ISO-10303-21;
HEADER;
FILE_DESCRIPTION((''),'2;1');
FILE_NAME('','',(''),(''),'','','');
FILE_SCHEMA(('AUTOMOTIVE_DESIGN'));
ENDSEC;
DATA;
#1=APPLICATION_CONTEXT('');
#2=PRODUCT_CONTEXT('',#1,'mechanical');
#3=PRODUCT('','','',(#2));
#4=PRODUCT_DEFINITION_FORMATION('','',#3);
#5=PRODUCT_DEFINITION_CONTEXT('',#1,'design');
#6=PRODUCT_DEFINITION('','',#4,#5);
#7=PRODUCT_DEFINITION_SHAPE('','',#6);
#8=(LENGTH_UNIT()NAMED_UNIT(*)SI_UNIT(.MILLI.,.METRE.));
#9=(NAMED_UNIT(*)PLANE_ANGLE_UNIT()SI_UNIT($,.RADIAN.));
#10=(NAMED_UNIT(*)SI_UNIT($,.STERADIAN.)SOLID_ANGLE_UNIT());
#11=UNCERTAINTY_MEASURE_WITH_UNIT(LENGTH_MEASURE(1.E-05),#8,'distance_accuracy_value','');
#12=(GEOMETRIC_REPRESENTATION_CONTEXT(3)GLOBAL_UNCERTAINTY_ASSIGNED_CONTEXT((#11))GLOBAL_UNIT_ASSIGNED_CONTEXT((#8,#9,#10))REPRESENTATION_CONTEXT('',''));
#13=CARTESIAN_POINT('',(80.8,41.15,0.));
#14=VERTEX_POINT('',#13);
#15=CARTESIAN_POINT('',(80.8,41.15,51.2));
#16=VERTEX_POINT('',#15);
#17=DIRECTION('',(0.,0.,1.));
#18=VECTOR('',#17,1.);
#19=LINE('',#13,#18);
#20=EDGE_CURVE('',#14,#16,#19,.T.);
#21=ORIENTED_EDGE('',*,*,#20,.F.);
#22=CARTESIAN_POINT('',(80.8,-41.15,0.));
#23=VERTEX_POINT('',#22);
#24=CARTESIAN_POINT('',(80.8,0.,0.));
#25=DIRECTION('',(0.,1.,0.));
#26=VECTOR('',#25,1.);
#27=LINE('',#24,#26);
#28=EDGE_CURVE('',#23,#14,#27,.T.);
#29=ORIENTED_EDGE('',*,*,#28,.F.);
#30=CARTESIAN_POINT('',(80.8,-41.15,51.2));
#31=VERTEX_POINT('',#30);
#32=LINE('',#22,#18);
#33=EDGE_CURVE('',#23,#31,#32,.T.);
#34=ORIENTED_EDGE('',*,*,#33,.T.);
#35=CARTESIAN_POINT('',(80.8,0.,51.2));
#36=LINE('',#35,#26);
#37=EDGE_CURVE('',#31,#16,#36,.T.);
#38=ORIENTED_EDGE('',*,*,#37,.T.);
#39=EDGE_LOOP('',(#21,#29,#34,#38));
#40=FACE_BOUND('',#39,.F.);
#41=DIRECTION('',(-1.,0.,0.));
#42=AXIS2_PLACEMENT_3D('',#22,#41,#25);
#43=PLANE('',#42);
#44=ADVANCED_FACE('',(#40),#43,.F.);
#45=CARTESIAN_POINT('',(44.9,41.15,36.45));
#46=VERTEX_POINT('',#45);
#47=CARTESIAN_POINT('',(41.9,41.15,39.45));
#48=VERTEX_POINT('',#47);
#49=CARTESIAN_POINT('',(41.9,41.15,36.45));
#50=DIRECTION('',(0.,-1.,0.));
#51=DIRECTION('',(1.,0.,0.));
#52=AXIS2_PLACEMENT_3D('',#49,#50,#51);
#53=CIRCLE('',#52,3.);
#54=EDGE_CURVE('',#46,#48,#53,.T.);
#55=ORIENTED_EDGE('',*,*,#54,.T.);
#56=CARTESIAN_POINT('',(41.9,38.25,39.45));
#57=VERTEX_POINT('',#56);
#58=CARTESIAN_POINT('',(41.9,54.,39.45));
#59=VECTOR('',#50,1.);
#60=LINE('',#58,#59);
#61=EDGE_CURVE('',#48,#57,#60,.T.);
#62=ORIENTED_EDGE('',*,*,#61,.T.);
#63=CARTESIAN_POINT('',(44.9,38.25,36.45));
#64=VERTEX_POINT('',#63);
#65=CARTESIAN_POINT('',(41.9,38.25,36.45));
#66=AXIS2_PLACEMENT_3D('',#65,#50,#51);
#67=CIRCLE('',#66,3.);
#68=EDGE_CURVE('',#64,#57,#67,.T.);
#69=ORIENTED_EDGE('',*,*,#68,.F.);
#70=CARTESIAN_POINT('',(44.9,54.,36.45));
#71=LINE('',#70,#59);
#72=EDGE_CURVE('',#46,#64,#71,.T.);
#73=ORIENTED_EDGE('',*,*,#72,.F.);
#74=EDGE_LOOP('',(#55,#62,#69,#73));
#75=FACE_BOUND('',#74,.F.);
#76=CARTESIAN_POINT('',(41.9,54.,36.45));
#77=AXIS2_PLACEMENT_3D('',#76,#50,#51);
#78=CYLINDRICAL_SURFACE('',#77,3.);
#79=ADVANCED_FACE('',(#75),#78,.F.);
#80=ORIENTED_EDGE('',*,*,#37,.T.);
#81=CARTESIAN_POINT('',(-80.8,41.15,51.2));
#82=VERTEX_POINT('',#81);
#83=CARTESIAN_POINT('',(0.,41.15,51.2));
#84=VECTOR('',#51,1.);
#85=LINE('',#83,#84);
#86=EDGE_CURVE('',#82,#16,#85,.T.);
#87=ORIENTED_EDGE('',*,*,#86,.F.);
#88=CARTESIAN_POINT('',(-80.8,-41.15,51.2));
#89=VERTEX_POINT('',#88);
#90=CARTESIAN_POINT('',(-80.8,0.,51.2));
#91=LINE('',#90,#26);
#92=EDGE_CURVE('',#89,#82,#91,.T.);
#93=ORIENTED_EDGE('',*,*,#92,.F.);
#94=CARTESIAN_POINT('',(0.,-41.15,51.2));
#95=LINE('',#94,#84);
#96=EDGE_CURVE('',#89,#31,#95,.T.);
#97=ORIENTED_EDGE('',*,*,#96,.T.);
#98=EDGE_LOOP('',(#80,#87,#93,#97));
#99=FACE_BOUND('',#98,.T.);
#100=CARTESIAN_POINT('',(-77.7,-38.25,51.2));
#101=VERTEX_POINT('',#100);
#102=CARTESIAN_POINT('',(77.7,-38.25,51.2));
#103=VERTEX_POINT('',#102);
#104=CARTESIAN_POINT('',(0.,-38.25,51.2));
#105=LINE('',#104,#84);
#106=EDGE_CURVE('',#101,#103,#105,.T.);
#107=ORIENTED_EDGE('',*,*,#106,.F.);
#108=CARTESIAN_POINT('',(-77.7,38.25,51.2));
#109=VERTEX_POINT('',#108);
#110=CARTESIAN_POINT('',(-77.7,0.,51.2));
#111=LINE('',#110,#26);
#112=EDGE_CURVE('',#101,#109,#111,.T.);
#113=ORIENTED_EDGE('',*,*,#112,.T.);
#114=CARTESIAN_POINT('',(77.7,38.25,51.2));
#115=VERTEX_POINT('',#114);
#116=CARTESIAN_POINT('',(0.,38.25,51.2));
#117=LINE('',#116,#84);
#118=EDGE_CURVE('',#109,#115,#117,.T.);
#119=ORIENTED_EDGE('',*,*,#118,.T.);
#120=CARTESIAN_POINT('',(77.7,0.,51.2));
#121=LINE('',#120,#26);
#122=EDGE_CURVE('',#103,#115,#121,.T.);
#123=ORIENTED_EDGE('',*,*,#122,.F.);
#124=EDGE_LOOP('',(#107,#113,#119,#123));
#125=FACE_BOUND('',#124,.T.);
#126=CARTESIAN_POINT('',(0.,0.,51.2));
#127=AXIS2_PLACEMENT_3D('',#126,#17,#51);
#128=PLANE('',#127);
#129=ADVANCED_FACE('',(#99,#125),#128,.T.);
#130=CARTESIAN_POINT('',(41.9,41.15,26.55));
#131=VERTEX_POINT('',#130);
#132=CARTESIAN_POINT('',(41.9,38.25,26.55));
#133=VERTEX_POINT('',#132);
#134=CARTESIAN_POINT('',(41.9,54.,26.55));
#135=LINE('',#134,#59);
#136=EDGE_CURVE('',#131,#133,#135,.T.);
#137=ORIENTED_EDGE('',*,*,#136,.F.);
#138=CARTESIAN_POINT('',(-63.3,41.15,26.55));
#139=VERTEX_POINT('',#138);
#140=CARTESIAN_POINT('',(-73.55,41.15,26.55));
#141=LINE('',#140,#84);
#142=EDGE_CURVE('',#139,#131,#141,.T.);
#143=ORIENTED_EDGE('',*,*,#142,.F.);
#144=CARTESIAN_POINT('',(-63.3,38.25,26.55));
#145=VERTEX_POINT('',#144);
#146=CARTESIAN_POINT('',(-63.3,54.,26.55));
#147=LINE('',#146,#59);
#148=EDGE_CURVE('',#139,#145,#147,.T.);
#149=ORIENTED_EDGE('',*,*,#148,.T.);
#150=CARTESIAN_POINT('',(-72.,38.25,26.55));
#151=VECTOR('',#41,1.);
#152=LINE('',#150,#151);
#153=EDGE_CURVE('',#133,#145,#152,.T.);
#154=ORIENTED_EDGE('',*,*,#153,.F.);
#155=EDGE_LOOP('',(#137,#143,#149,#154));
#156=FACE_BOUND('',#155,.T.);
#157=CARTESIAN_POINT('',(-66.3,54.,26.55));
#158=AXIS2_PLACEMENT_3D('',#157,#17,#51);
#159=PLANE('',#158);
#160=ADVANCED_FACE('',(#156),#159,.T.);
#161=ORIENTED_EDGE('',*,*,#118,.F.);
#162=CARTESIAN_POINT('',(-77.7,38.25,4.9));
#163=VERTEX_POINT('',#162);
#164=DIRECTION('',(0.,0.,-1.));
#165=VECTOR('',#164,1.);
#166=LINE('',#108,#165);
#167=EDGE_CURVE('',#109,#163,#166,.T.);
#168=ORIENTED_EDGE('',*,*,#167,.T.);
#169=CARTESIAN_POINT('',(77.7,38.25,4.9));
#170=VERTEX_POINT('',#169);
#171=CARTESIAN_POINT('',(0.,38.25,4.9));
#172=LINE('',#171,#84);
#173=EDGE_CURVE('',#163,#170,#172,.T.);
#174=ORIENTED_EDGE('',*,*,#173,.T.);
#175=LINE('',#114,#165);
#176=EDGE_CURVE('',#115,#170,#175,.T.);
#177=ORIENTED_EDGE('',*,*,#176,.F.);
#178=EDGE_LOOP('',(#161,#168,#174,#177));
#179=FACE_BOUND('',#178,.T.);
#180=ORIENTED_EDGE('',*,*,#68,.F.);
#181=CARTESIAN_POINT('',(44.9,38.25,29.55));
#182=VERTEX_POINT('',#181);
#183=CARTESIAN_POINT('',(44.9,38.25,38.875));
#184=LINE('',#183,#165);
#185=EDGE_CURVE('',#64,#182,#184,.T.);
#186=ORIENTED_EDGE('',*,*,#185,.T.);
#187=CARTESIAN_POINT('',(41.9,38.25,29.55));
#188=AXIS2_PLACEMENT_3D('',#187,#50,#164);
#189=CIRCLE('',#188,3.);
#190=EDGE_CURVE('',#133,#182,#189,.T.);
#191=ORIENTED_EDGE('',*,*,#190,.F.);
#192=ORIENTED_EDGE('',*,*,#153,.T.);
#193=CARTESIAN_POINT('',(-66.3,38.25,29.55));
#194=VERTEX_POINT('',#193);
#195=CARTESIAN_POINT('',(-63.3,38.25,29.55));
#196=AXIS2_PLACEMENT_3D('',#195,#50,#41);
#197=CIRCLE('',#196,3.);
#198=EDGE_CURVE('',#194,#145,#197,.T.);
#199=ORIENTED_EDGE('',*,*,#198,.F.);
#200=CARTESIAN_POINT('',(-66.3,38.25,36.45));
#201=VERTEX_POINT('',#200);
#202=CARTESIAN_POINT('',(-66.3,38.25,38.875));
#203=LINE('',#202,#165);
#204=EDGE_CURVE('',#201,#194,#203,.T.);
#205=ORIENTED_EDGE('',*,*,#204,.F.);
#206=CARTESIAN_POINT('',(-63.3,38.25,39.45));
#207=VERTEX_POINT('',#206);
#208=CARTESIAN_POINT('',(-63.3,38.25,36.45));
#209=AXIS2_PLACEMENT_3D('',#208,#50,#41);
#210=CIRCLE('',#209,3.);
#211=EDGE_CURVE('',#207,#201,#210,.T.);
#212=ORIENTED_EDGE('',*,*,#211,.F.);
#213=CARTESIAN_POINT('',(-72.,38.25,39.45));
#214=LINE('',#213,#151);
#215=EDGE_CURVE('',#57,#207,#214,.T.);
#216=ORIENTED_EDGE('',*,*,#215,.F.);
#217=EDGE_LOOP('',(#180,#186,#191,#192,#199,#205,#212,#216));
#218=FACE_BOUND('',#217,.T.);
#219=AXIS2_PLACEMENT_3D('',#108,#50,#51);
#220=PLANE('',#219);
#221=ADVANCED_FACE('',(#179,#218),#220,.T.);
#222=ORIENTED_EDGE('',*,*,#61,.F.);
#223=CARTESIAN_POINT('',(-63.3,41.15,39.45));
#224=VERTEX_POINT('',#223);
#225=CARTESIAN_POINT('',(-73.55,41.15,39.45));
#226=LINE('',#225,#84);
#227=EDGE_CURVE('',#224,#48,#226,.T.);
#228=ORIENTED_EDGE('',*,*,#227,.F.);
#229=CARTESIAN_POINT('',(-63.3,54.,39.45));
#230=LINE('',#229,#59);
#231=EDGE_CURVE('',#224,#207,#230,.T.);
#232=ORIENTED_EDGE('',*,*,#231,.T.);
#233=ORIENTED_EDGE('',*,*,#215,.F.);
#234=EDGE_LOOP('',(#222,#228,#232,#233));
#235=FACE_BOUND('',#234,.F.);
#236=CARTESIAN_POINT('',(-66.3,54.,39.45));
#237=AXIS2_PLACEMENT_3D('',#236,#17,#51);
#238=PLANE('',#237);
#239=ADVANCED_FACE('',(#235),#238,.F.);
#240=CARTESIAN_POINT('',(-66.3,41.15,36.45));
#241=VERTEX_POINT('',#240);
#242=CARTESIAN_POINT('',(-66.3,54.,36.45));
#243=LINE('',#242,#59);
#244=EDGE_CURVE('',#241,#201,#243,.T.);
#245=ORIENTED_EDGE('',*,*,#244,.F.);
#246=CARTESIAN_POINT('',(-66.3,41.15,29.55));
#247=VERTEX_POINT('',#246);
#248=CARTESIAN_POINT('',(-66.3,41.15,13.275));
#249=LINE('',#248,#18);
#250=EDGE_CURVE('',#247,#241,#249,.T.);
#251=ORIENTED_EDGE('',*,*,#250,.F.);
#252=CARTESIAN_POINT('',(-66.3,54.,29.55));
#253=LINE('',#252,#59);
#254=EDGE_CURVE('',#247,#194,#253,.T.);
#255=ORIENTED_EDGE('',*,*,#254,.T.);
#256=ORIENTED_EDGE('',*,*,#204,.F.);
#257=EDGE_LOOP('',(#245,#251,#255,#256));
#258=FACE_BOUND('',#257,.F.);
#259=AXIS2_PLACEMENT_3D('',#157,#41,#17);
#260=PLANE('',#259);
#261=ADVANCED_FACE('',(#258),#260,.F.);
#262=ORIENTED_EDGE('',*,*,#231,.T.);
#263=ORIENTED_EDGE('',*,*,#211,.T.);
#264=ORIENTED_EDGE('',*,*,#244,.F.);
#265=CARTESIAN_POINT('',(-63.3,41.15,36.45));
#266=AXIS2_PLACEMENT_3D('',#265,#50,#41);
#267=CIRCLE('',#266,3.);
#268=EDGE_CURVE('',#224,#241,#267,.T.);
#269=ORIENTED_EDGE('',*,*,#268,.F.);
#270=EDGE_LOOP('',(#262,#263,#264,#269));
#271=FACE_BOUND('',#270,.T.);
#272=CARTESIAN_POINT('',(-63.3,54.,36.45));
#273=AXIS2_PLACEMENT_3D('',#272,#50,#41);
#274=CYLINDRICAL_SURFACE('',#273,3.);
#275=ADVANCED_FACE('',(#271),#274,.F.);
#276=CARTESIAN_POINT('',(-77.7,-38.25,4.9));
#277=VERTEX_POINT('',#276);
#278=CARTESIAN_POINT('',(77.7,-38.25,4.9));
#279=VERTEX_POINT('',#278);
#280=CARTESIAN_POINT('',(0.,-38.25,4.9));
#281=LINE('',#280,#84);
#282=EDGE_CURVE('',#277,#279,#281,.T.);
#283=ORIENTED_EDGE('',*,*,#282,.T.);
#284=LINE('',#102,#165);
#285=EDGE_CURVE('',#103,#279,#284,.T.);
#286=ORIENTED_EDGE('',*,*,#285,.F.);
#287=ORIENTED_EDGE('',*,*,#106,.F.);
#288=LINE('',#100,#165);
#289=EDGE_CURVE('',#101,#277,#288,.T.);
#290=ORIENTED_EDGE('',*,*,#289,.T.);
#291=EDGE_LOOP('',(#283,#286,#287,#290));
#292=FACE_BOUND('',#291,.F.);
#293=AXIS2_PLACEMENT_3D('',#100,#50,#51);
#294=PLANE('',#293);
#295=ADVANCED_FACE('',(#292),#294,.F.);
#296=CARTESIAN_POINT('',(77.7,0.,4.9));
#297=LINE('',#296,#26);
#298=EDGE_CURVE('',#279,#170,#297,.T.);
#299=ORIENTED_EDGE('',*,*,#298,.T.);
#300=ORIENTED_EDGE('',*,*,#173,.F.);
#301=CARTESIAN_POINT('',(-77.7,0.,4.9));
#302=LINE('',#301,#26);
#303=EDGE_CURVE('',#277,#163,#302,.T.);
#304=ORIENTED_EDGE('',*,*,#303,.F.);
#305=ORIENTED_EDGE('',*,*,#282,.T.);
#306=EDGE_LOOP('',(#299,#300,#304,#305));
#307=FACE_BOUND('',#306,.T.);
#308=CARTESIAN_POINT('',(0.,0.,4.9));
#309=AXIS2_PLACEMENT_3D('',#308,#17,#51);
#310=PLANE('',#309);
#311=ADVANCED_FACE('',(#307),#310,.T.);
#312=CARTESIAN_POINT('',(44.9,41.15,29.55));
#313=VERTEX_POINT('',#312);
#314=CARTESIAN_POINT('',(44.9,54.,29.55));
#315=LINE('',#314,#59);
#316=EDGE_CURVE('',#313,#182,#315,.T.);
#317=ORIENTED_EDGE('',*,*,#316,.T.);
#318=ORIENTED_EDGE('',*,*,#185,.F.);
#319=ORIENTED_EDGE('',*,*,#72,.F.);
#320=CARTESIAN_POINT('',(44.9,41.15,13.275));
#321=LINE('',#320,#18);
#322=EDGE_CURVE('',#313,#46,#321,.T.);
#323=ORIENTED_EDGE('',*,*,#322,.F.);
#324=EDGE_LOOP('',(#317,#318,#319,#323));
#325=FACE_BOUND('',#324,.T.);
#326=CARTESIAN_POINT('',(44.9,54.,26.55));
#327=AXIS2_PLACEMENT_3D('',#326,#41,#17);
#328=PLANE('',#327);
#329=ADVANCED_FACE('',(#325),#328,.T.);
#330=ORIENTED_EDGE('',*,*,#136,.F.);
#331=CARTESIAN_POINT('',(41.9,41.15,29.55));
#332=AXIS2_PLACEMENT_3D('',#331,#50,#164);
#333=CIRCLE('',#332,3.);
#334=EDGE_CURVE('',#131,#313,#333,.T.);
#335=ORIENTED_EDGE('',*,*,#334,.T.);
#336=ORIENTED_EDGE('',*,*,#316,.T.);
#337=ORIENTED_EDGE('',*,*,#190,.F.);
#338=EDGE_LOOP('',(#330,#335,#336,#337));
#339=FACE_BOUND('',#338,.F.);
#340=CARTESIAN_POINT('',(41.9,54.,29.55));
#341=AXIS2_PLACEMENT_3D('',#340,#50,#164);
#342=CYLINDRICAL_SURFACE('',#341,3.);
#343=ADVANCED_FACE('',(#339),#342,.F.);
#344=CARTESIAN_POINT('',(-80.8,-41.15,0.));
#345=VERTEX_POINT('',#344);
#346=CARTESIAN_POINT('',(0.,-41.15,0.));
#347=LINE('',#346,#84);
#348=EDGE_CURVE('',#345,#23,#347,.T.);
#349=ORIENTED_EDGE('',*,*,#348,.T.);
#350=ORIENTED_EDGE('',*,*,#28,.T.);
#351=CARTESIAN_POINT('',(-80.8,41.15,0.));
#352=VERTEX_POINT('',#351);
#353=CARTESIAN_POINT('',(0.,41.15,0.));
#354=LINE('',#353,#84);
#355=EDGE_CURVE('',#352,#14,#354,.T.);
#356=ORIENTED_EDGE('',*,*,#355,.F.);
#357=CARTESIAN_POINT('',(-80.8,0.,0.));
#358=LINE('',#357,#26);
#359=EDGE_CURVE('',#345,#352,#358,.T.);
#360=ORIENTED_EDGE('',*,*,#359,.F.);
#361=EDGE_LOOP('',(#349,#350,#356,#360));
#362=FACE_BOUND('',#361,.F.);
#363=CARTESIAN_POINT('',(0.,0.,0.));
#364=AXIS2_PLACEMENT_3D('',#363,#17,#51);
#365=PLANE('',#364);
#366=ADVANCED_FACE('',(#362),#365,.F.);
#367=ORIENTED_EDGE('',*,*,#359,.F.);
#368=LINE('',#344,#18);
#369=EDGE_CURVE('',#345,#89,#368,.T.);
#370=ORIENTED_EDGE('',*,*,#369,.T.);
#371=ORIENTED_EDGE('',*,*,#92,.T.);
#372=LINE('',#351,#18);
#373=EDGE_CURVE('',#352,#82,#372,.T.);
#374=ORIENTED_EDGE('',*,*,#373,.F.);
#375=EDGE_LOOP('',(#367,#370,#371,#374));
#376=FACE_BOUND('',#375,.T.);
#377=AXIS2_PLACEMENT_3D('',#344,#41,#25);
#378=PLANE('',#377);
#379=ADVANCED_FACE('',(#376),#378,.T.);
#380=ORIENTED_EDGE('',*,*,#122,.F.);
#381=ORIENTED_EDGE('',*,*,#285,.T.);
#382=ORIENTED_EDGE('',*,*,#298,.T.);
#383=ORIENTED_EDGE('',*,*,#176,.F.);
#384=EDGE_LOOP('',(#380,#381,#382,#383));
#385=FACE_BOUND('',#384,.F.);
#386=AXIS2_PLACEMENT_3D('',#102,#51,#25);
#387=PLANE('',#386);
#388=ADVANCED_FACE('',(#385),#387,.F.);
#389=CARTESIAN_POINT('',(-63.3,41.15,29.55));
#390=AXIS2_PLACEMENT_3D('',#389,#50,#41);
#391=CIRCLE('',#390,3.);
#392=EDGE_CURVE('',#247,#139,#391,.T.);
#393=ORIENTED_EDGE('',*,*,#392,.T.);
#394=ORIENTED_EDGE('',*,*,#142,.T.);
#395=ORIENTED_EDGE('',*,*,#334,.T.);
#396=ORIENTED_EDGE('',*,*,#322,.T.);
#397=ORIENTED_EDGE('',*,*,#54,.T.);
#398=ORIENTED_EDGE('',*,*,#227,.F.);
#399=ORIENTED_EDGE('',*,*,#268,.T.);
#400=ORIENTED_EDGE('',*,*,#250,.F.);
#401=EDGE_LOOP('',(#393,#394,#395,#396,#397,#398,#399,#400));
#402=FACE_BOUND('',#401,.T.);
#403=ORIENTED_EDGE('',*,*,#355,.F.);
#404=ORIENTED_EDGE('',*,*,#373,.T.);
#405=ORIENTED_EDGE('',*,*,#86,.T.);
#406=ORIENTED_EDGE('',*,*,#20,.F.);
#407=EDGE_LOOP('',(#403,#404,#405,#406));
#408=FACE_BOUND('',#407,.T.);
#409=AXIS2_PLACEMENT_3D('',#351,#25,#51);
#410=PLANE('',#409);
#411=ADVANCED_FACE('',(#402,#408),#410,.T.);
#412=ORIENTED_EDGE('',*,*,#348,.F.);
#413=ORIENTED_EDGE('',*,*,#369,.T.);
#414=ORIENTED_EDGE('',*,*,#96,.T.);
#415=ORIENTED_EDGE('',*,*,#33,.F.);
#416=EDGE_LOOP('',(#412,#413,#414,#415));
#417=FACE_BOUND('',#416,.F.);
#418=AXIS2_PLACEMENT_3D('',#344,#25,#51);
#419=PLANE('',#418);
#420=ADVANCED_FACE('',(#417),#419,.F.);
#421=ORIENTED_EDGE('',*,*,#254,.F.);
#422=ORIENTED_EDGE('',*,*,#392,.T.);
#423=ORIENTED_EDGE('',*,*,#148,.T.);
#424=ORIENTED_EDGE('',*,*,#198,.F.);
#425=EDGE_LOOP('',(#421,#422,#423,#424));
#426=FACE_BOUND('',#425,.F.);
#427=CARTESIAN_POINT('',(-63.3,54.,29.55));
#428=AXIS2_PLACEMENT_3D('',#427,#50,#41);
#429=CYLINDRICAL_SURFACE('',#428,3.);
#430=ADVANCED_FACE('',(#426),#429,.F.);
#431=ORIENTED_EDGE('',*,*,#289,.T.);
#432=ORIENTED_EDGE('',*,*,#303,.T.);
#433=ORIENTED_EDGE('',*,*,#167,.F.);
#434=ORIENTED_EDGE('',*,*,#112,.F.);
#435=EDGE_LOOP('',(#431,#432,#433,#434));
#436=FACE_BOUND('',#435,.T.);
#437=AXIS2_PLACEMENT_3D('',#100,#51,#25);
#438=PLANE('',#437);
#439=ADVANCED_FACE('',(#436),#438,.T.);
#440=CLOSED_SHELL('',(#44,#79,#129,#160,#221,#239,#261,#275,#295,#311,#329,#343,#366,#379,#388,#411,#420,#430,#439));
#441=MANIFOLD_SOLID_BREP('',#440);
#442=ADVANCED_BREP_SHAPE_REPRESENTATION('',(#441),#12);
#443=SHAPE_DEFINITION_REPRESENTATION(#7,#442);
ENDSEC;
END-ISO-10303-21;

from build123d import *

# Parameters (mm, degrees)
SKETCH009_W  = 111.2
SKETCH009_H  = 12.9
PAD007_DEPTH = 30
FILLET001_R  = 3
SKETCH_W     = 161.6
SKETCH_H     = 82.3
PAD_DEPTH    = 51.2
SKETCH001_W  = 155.4
SKETCH001_H  = 76.5
POCKET_DEPTH = 46.3


with BuildPart() as tubecutout:
    # Sketch009 → Pad007 (new body)
    with BuildSketch(Plane(origin=(-10.7, 54, 33), x_dir=(1, 0, 0), z_dir=(0, -1, 0))):
        Rectangle(SKETCH009_W, SKETCH009_H)
    extrude(amount=PAD007_DEPTH)

    # Fillet001
    fillet001_edges = [tubecutout.edges().sort_by_distance(p)[0] for p in [
        (-66.3, 39, 39.45),
        (-66.3, 39, 26.55),
        (44.9, 39, 39.45),
        (44.9, 39, 26.55),
    ]]
    fillet(fillet001_edges, radius=FILLET001_R)


with BuildPart() as enclosurebox:
    # Sketch → Pad (new body)
    with BuildSketch(Plane.XY):
        Rectangle(SKETCH_W, SKETCH_H)
    extrude(amount=PAD_DEPTH)

    # Sketch001 → Pocket (cut)
    with BuildSketch(Plane.XY.offset(51.2)):
        Rectangle(SKETCH001_W, SKETCH001_H)
    extrude(amount=-POCKET_DEPTH, mode=Mode.SUBTRACT)

    # Cut: cut TubeCutout
    add(tubecutout.part, mode=Mode.SUBTRACT)


solid = enclosurebox.part
